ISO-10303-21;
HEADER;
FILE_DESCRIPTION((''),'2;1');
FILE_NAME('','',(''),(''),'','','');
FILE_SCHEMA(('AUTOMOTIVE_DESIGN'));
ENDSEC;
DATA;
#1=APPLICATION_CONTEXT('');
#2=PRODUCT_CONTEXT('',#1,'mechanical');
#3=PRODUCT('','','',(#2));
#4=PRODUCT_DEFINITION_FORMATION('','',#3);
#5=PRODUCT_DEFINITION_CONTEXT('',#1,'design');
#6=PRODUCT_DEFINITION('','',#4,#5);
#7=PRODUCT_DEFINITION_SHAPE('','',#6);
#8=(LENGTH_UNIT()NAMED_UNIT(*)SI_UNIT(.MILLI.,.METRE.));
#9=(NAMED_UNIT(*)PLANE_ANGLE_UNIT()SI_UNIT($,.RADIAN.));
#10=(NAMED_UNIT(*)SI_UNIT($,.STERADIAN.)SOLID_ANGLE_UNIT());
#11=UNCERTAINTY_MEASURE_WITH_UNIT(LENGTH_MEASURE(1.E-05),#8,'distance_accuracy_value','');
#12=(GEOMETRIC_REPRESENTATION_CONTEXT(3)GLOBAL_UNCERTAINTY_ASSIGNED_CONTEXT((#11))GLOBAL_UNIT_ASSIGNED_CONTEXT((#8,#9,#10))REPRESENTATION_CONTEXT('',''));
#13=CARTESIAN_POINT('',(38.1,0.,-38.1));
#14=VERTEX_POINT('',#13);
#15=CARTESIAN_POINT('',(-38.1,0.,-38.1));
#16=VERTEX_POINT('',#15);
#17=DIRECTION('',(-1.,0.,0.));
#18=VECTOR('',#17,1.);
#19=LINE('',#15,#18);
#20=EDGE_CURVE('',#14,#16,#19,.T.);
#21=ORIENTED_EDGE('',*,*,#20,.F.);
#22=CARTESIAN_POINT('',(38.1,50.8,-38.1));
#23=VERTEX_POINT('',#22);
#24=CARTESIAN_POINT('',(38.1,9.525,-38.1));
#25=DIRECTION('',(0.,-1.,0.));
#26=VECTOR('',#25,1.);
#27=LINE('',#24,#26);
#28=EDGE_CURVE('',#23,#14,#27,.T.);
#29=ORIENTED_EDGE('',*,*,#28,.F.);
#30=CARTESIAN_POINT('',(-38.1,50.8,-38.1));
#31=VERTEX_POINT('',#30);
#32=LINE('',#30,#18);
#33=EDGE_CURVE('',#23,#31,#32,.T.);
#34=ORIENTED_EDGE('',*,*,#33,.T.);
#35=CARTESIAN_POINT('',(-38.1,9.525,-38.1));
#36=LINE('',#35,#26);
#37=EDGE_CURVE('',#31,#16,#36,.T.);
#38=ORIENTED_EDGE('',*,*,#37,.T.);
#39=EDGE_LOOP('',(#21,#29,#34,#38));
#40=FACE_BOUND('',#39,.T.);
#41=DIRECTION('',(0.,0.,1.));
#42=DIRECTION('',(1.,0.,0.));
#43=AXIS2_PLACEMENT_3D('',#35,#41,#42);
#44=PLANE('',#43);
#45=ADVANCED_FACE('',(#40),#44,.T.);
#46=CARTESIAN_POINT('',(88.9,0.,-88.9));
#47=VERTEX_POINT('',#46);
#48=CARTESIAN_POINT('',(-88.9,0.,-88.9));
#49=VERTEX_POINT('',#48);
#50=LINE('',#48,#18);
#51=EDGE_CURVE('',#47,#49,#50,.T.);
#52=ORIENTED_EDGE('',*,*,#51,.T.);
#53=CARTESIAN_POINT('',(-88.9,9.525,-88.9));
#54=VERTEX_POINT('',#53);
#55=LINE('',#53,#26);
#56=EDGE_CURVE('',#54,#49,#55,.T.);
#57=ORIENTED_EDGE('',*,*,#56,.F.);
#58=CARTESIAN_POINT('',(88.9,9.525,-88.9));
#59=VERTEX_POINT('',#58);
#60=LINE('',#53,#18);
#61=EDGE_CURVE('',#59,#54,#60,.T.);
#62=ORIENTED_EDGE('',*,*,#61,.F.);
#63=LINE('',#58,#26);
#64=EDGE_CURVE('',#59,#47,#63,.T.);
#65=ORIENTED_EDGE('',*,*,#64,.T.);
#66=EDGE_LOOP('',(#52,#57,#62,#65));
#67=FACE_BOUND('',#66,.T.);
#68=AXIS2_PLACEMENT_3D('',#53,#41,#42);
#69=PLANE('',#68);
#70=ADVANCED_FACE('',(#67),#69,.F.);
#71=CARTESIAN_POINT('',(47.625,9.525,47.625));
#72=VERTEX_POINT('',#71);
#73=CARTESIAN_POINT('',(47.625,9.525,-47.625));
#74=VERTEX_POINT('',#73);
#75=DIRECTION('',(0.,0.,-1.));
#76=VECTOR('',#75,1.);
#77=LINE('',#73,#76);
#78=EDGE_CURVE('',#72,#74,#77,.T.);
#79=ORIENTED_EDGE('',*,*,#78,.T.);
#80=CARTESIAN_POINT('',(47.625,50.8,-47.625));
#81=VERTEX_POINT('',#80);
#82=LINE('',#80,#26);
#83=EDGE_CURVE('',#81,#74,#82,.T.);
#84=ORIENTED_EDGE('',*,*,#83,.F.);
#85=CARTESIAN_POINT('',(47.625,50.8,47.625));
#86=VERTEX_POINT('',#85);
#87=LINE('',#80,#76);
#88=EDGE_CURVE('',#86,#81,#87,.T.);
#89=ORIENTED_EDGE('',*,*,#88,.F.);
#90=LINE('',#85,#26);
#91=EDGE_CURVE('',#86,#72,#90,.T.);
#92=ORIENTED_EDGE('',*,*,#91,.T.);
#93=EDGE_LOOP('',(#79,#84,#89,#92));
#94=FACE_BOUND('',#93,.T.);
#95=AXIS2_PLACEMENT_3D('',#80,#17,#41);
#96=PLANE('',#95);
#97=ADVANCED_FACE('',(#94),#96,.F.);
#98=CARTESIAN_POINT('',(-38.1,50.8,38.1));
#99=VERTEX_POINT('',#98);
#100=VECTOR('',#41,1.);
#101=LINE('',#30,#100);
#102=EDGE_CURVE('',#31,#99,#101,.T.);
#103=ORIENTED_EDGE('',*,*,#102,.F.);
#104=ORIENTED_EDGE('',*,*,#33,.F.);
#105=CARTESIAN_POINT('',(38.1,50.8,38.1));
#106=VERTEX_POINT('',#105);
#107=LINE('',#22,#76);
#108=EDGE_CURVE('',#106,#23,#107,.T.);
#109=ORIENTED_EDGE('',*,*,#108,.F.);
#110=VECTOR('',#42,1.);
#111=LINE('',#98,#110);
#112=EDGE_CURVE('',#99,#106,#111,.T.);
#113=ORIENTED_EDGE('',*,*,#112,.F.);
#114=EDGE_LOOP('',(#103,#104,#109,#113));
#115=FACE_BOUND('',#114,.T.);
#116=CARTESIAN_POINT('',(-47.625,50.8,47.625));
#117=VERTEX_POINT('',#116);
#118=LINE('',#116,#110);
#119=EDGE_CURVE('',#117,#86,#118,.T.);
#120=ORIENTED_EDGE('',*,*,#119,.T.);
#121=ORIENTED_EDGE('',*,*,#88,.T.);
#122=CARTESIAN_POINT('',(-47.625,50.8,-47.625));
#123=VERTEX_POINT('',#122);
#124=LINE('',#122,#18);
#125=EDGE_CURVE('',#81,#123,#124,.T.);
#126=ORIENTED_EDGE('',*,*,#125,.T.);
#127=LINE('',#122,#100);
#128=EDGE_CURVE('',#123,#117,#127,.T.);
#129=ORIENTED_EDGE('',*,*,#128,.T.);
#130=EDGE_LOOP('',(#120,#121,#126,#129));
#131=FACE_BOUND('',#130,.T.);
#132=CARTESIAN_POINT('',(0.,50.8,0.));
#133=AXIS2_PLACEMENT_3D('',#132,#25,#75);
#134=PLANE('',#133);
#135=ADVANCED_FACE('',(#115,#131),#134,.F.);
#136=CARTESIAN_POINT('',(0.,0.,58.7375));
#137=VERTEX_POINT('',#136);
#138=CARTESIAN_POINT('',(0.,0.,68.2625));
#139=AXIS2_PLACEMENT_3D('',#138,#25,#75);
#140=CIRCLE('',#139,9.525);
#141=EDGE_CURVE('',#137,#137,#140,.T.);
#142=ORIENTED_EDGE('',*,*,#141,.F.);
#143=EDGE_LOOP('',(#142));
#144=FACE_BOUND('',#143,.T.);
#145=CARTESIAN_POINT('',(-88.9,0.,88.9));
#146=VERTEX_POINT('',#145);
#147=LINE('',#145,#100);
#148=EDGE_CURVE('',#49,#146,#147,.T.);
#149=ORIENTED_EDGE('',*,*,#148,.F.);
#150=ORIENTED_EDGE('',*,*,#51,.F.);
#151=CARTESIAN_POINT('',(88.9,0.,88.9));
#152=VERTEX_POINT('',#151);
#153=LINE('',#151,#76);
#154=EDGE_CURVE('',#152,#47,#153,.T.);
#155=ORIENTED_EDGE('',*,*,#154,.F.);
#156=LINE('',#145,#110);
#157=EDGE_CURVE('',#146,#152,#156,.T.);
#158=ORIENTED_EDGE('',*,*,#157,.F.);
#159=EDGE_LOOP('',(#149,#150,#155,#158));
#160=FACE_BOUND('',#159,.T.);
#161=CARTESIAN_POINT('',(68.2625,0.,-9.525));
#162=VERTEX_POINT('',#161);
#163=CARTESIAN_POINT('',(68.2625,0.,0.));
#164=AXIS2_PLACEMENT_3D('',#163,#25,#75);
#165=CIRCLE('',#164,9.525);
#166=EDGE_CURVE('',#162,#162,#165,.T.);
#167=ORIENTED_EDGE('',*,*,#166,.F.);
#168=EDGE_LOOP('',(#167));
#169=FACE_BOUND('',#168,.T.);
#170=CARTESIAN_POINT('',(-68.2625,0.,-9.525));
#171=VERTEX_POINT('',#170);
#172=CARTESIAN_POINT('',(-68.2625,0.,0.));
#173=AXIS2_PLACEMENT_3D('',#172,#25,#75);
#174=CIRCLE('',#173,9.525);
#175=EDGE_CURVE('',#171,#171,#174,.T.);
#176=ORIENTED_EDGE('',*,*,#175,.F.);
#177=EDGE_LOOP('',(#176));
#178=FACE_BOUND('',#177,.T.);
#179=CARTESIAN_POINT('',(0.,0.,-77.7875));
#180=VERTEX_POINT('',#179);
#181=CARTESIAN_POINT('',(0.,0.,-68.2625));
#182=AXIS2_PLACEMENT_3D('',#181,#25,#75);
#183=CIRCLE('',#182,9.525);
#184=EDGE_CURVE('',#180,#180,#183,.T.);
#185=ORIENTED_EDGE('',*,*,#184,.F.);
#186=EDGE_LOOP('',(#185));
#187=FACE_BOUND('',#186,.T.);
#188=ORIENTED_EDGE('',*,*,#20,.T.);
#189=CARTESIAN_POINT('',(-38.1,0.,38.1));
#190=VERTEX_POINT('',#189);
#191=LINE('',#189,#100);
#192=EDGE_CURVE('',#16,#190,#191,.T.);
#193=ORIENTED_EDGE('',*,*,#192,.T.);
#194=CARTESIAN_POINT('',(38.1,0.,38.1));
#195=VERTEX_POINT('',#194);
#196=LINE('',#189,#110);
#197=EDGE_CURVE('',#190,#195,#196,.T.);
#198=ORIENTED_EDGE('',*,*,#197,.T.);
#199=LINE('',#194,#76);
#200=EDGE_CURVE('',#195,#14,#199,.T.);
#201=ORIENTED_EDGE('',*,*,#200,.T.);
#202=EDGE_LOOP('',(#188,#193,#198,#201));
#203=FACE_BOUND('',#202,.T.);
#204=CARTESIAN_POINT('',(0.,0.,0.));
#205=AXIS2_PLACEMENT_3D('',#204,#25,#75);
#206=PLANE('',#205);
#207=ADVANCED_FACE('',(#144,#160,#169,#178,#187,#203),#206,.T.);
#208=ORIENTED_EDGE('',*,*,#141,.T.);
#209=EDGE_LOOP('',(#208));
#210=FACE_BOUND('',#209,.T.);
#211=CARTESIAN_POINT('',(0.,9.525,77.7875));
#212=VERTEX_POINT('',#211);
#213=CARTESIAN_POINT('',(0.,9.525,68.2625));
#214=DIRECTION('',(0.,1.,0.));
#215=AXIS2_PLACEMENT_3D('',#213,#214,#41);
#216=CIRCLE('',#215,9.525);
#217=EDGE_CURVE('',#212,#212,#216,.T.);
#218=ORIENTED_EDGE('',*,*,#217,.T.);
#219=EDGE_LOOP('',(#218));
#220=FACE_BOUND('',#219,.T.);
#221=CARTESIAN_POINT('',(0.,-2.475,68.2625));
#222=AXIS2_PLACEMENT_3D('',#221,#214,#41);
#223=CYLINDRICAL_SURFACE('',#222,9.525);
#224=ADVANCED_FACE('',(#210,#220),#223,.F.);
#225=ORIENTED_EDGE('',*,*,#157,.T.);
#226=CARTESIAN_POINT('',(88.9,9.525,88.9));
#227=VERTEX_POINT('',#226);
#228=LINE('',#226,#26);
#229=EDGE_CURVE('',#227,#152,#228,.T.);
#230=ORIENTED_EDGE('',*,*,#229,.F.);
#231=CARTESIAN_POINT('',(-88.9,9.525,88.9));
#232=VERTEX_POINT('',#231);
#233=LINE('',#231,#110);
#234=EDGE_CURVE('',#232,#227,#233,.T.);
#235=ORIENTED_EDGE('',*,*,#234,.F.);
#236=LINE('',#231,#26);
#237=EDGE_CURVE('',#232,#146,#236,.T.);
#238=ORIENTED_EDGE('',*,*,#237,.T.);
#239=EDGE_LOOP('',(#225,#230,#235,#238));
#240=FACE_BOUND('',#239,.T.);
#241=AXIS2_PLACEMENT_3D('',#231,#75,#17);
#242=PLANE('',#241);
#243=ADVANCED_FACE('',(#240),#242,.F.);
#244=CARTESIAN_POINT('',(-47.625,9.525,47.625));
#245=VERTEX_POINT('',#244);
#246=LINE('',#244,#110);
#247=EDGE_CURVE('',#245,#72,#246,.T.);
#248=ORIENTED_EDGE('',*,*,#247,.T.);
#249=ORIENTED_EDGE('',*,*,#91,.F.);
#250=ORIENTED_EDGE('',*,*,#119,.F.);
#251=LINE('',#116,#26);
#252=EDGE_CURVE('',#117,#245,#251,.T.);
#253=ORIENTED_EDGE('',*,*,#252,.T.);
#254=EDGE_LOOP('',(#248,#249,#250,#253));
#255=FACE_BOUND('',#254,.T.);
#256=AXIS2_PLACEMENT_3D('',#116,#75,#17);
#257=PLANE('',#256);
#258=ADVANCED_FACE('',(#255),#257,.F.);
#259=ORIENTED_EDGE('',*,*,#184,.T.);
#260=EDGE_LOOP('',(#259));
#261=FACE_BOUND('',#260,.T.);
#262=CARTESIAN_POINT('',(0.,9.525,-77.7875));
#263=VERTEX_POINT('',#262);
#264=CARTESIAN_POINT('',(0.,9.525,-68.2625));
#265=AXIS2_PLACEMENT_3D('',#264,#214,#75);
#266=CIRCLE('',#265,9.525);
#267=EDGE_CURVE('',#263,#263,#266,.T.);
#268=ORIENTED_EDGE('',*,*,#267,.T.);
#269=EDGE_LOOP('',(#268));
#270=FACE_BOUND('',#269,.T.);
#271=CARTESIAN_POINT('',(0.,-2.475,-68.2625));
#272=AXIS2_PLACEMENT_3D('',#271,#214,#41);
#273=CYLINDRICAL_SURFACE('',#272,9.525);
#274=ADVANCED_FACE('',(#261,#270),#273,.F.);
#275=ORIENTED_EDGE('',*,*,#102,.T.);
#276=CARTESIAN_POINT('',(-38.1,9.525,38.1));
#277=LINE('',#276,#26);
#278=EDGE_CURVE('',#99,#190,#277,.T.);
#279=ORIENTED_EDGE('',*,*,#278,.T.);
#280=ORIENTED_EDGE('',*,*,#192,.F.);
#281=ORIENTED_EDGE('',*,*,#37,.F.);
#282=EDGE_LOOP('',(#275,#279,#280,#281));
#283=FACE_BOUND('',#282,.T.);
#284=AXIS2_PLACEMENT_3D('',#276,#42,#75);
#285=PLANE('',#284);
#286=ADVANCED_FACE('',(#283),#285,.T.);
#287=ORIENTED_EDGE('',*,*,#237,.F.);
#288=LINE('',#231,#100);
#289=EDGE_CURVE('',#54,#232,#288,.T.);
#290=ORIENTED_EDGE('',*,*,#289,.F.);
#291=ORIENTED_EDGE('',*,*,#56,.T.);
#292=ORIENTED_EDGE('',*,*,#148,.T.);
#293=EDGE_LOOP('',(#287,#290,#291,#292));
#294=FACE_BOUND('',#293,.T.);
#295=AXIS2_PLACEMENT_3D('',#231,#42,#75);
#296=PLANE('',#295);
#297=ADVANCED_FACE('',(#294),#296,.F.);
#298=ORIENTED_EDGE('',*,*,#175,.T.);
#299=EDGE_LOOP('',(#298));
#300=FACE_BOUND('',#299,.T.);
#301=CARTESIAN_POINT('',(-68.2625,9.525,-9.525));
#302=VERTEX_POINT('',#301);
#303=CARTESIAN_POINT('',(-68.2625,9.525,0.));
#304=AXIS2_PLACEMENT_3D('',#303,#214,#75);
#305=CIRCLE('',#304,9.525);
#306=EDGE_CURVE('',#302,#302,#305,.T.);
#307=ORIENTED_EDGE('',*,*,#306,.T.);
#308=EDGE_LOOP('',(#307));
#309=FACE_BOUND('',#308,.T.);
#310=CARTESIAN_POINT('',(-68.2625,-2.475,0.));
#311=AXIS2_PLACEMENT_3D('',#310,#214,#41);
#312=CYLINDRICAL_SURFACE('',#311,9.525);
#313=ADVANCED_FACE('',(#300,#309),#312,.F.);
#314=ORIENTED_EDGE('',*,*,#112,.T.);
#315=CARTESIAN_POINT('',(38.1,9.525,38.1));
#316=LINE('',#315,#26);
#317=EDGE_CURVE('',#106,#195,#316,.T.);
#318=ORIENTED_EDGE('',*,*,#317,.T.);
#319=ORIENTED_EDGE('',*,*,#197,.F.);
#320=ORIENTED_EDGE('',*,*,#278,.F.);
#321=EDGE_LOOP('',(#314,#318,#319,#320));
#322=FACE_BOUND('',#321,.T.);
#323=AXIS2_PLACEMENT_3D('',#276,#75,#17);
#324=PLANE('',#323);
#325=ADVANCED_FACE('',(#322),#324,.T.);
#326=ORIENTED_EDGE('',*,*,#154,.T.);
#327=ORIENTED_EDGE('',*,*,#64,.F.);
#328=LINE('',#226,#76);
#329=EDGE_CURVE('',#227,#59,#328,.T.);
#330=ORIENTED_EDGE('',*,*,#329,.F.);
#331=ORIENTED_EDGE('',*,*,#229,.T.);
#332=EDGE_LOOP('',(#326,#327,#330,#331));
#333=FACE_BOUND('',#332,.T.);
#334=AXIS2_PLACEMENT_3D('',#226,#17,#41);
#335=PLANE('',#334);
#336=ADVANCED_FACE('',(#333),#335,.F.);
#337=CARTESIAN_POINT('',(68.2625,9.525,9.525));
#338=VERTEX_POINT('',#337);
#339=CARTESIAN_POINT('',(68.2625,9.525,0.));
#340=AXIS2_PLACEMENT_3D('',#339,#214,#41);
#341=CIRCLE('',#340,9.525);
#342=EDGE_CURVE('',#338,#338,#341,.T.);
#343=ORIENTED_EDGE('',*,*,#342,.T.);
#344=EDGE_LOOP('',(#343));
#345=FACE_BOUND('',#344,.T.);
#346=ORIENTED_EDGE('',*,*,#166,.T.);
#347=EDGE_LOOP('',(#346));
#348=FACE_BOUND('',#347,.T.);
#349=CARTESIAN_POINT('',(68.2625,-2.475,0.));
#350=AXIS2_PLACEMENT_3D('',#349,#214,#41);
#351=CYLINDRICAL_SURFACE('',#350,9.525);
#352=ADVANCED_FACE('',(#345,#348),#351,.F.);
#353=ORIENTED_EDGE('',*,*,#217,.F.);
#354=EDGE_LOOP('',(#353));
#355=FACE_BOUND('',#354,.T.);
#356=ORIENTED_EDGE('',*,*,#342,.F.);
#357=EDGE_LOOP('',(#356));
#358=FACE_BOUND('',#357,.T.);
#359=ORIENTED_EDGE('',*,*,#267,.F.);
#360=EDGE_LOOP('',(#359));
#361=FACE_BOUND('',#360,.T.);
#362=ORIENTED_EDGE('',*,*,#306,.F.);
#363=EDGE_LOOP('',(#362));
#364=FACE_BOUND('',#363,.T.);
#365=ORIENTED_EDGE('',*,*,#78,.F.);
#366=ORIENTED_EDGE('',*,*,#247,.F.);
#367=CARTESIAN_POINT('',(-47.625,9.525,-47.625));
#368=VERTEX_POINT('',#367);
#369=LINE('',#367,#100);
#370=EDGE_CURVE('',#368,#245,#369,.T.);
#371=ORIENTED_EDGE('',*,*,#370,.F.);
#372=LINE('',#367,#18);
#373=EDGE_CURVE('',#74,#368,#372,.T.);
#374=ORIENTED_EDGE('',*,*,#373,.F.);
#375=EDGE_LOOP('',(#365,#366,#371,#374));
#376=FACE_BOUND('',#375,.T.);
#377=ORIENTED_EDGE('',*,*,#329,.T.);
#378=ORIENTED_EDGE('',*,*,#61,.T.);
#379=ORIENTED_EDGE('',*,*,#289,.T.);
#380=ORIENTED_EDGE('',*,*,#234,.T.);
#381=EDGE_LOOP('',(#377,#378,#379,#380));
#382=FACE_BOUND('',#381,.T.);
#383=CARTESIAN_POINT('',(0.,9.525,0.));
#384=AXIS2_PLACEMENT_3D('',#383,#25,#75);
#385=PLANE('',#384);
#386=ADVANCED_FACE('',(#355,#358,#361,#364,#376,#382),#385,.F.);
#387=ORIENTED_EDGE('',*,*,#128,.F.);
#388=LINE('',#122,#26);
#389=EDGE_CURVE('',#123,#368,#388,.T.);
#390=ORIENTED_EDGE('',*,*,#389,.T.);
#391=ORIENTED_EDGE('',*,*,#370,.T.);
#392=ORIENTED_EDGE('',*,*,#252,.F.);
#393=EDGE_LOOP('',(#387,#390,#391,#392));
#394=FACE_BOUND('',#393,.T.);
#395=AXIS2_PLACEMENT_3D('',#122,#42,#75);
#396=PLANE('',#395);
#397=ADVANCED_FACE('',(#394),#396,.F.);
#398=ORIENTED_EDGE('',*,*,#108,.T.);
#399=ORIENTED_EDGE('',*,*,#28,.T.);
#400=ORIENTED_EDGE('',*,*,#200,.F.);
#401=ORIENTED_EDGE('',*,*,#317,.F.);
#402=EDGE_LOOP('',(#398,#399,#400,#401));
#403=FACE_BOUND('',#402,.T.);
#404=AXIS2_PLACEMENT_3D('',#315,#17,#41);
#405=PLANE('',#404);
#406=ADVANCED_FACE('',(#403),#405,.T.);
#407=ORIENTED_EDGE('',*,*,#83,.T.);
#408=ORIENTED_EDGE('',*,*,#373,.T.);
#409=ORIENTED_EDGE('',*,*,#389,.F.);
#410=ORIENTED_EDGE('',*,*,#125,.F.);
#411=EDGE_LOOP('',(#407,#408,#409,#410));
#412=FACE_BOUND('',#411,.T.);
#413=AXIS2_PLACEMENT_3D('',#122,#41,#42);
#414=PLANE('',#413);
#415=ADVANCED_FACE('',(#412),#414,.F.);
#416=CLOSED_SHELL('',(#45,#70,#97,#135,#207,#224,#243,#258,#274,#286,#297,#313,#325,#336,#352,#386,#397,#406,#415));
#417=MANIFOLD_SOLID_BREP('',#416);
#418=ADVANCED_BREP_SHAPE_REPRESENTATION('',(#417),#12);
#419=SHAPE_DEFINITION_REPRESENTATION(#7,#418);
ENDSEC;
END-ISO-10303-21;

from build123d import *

# Parameters (mm, degrees)
CROQUIS3_W              = 177.8
CROQUIS3_H              = 177.8
CROQUIS3_W_2            = 76.2
CROQUIS3_H_2            = 76.2
SALIENTE_EXTRUIR2_DEPTH = 9.525
CROQUIS4_W              = 95.25
CROQUIS4_H              = 95.25
CROQUIS4_W_2            = 76.2
CROQUIS4_H_2            = 76.2
SALIENTE_EXTRUIR3_DEPTH = 41.275
CROQUIS5_R              = 9.525
CORTAR_EXTRUIR1_DEPTH   = 12


with BuildPart() as part:
    # Croquis3 → Saliente-Extruir2 (new body)
    with BuildSketch(Plane(origin=(0, 0, 0), x_dir=(1, 0, 0), z_dir=(0, 1, 0))):
        Rectangle(CROQUIS3_W, CROQUIS3_H)
        Rectangle(CROQUIS3_W_2, CROQUIS3_H_2, mode=Mode.SUBTRACT)
    extrude(amount=SALIENTE_EXTRUIR2_DEPTH)

    # Croquis4 → Saliente-Extruir3 (add)
    with BuildSketch(Plane(origin=(0, 9.525, 0), x_dir=(1, 0, 0), z_dir=(0, 1, 0))):
        Rectangle(CROQUIS4_W, CROQUIS4_H)
        Rectangle(CROQUIS4_W_2, CROQUIS4_H_2, mode=Mode.SUBTRACT)
    extrude(amount=SALIENTE_EXTRUIR3_DEPTH)

    # Croquis5 → Cortar-Extruir1 (cut)
    with BuildSketch(Plane(origin=(0, 9.525, 0), x_dir=(1, 0, 0), z_dir=(0, 1, 0))):
        with Locations(Location((0, -68.2625, 0), (0, 0, 270))):
            Circle(CROQUIS5_R)
        with Locations(Location((0, 68.2625, 0), (0, 0, 90))):
            Circle(CROQUIS5_R)
        with Locations(Location((-68.2625, 0, 0), (0, 0, 90))):
            Circle(CROQUIS5_R)
        with Locations(Location((68.2625, 0, 0), (0, 0, 270))):
            Circle(CROQUIS5_R)
    extrude(amount=-CORTAR_EXTRUIR1_DEPTH, mode=Mode.SUBTRACT)


solid = part.part
